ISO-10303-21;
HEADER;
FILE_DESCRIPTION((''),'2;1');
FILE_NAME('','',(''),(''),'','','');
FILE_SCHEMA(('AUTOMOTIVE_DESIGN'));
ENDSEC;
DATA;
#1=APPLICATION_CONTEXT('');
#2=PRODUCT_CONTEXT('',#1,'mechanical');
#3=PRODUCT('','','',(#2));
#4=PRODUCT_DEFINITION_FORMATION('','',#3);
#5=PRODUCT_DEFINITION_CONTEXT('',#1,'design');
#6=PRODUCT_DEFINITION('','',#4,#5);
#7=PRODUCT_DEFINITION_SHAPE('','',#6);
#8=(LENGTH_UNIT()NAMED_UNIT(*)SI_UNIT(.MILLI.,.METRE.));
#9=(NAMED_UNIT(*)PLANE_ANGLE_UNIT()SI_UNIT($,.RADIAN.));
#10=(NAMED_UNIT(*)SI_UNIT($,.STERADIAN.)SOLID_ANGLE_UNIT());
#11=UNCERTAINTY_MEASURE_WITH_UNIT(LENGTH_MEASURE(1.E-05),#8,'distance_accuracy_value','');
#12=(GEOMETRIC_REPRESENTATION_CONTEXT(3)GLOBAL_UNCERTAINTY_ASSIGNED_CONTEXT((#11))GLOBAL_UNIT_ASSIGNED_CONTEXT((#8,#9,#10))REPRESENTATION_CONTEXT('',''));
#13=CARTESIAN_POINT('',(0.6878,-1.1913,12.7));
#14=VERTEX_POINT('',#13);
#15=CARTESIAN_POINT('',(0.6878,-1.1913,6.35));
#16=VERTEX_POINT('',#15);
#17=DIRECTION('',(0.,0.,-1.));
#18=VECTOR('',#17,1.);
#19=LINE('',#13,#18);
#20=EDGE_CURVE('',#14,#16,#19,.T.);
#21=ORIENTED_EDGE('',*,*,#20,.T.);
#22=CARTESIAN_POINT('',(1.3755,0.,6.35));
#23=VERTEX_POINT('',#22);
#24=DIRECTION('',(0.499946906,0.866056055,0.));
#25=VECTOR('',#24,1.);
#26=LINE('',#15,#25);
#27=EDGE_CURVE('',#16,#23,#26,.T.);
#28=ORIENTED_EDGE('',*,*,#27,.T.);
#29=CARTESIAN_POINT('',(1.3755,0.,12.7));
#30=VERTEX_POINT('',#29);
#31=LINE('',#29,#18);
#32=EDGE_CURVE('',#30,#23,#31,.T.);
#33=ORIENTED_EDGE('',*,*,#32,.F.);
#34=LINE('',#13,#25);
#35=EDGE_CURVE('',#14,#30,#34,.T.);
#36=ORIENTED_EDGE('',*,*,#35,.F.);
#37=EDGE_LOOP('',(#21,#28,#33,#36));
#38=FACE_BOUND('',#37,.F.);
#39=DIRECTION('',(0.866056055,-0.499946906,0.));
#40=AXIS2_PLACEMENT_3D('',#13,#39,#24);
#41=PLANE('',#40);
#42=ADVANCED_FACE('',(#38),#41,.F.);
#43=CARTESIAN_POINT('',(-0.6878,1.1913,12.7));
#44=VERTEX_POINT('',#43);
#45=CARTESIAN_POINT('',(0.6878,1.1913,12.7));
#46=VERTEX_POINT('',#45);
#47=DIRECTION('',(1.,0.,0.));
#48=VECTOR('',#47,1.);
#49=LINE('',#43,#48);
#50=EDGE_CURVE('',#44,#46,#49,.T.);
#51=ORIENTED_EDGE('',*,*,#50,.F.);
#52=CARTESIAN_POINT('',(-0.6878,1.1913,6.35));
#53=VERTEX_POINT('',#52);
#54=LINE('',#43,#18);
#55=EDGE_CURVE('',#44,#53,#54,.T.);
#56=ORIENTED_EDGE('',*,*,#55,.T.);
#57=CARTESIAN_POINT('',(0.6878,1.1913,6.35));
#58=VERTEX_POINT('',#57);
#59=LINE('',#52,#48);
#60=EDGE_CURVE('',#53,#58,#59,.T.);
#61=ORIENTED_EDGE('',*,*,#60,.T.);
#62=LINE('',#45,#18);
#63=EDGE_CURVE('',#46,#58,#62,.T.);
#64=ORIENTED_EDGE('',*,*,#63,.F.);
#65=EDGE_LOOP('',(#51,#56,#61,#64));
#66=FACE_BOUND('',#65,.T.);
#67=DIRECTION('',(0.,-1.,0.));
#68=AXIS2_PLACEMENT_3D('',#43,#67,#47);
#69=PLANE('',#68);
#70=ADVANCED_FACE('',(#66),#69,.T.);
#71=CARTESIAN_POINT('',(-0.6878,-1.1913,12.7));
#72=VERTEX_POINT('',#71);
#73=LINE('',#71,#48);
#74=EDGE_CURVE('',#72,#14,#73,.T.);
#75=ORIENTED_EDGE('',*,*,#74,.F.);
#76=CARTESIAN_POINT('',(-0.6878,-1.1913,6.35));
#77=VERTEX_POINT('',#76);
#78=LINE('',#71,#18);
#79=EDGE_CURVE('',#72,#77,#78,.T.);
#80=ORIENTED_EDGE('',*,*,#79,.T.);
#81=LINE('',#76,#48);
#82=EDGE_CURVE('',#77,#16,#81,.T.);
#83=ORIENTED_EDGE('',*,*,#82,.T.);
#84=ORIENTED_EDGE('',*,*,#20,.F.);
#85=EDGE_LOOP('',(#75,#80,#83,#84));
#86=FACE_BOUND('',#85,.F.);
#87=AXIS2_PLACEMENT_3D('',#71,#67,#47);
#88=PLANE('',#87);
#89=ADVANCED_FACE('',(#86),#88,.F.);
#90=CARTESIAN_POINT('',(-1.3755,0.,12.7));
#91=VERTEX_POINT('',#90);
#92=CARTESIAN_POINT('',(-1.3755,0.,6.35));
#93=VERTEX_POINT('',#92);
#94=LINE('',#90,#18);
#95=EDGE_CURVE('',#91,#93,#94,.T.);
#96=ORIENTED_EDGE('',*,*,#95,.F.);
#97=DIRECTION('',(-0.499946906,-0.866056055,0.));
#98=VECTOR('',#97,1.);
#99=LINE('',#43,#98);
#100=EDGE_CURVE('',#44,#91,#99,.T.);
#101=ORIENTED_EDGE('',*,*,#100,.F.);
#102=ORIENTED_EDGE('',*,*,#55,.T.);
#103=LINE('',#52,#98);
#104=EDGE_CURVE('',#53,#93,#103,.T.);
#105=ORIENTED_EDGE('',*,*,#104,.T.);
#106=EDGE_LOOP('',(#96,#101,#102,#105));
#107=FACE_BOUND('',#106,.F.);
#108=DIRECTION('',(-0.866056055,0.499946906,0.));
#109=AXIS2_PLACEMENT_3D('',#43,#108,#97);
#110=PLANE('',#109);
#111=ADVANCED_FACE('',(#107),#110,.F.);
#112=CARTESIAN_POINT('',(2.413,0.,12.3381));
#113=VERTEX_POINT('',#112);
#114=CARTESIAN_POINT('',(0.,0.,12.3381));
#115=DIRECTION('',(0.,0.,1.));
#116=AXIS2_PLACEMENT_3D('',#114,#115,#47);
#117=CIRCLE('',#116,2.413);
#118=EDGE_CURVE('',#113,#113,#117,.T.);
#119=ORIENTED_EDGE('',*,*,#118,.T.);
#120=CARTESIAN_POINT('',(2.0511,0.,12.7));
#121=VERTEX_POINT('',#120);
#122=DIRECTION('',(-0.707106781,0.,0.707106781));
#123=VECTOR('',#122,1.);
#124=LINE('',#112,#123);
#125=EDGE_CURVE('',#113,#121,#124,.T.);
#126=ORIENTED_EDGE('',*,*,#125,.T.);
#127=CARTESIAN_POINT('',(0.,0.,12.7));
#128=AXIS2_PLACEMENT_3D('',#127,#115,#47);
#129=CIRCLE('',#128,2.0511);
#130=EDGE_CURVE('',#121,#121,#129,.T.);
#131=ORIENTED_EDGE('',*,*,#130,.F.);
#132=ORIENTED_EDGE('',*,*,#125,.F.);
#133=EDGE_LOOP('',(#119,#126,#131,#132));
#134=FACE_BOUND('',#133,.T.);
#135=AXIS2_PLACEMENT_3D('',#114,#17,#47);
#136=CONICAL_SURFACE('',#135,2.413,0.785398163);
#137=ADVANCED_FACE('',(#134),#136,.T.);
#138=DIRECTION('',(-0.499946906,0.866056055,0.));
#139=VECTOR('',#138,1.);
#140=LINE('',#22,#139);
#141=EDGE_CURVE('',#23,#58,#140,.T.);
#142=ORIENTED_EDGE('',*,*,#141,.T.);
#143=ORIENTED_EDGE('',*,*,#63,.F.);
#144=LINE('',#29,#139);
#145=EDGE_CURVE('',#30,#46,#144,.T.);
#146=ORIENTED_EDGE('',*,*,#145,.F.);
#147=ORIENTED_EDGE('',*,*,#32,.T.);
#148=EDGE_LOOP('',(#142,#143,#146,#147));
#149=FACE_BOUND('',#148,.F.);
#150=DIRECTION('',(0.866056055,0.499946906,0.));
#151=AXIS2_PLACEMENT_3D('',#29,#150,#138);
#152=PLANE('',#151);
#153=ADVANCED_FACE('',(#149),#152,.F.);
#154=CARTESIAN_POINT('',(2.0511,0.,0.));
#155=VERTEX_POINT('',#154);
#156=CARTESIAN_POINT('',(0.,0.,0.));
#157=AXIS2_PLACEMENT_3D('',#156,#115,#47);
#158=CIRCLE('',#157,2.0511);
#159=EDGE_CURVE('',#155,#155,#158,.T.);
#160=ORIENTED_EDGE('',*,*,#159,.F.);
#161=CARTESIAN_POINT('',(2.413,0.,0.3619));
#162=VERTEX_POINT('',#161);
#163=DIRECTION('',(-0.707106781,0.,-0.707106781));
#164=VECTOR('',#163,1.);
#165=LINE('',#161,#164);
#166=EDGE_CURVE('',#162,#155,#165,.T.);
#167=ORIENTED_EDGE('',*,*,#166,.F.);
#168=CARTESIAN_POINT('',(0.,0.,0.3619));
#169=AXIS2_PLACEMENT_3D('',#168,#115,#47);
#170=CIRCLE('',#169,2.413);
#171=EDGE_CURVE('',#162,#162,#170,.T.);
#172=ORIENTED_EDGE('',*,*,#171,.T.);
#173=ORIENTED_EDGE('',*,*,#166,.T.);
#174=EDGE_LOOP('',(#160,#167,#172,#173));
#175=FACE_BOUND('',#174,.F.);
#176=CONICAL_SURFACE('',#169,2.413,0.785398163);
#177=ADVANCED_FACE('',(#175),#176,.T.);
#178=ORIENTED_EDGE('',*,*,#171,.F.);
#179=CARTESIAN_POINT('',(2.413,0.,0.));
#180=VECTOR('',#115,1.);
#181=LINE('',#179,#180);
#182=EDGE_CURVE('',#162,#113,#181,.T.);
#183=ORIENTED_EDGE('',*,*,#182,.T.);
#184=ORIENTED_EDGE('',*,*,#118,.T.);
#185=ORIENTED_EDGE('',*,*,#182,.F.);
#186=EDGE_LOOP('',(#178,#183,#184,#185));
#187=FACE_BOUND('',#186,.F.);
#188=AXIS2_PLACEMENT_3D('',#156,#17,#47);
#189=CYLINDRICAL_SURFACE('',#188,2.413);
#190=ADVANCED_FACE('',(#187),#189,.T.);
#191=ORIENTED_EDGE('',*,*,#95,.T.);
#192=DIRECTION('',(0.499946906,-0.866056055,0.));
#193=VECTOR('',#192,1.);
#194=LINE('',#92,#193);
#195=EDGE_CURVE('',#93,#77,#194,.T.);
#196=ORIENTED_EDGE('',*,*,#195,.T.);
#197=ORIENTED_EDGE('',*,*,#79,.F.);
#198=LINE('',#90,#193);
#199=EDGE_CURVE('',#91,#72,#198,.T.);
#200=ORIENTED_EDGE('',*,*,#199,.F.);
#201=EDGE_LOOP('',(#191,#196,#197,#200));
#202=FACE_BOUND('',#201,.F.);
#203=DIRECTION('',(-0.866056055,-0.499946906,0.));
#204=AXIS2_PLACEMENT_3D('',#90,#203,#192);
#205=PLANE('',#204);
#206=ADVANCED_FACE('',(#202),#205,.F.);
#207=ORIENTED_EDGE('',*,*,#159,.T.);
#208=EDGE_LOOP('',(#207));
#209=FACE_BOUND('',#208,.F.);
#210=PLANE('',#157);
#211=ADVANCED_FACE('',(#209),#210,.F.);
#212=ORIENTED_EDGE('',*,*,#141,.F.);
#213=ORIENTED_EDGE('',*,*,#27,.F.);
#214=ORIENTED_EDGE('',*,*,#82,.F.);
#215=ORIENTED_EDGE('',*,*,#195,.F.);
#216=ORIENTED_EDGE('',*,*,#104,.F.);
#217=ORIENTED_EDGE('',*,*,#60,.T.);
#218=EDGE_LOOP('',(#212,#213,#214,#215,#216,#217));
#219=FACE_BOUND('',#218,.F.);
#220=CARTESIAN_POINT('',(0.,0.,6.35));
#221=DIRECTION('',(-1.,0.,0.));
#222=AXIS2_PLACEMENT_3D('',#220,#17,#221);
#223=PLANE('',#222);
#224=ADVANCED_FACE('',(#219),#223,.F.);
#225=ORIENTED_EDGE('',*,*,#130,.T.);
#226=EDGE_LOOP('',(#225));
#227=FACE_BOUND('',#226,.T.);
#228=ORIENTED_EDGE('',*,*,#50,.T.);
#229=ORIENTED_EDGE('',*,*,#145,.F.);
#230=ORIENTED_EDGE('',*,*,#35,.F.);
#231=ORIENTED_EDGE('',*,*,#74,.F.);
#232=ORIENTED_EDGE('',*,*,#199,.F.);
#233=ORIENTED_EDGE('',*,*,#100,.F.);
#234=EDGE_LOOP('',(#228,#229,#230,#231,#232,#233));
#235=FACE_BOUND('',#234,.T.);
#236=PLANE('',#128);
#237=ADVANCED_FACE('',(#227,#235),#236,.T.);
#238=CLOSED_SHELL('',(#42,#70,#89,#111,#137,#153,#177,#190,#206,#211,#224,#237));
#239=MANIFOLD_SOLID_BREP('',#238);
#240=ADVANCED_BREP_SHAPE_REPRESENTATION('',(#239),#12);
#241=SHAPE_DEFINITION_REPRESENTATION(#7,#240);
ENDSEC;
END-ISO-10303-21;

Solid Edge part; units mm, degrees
sketch "Sketch1" plane through (0, 0, 0) normal (0, 0, 1) x (1, 0, 0)
  circle A0 centre (0, 0) radius 2.413
  dimension "D1" = 4.826
extrude "Protrusion1" add sketch "Sketch1" along normal blind 12.7
chamfer "Chamfer1" distance 0.3619 angle 45 2 edges at (-2.413, 0, 0) (-2.413, 0, 12.7)
sketch "Sketch2" plane through (0, 0, 12.7) normal (0, 0, 1) x (1, 0, 0)
  line L0 (-0.6878, 1.1913) -> (0.6878, 1.1913)
  line L1 (1.3755, 0) -> (0.6878, 1.1913)
  line L2 (0.6878, -1.1913) -> (1.3755, 0)
  line L3 (-0.6878, -1.1913) -> (0.6878, -1.1913)
  line L4 (-1.3755, 0) -> (-0.6878, -1.1913)
  line L5 (-0.6878, 1.1913) -> (-1.3755, 0)
  dimension "D1" = 2.3825
extrude "Cutout1" cut sketch "Sketch2" against normal blind 6.35
properties part number "24101737"
